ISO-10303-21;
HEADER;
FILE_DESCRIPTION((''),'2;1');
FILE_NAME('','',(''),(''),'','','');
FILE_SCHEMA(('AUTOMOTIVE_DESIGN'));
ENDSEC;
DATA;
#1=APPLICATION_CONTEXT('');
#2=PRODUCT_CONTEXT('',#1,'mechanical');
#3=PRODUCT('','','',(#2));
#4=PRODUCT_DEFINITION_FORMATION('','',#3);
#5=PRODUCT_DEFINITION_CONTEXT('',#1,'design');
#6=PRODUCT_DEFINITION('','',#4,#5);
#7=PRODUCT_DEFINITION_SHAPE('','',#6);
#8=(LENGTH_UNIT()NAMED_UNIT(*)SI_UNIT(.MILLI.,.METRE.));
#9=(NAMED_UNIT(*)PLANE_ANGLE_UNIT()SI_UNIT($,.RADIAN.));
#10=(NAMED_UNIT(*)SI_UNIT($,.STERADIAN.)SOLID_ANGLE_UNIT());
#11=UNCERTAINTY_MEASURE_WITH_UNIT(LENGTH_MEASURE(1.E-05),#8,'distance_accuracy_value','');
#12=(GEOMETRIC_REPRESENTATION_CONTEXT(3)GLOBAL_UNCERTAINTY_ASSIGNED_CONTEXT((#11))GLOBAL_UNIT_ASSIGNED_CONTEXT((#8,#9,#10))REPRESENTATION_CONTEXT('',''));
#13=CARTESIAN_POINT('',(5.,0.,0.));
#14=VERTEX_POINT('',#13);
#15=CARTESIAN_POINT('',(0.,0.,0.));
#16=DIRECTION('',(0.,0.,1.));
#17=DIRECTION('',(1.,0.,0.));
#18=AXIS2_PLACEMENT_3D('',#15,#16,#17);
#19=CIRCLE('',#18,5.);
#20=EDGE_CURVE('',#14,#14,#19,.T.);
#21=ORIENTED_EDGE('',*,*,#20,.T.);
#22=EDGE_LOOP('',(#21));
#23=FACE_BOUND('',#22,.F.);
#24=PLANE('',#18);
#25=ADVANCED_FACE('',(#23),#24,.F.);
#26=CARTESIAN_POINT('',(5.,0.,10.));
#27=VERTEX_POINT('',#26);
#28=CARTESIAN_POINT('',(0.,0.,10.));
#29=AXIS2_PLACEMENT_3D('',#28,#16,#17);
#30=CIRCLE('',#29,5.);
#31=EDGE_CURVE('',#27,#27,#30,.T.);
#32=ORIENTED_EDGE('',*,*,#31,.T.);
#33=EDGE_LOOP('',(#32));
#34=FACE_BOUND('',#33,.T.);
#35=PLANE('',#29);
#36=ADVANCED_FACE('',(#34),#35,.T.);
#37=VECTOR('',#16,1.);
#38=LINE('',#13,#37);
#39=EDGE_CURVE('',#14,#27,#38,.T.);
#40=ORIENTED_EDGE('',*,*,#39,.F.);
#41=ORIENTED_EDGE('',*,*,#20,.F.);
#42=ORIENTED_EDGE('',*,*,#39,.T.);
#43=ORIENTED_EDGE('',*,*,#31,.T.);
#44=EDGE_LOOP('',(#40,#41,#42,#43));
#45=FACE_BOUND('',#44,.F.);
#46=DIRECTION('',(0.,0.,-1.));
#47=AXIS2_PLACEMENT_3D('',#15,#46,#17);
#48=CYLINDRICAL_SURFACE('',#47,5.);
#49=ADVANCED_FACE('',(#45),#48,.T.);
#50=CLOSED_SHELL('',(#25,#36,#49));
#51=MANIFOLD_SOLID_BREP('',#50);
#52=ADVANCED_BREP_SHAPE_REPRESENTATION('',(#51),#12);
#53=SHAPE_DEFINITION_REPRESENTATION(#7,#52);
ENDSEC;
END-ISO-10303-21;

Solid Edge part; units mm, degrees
sketch "Sketch1" plane through (0, 0, 0) normal (0, 0, 1) x (1, 0, 0)
  circle A0 centre (0, 0) radius 5
  dimension "D1" = 10
extrude "Protrusion1" add sketch "Sketch1" along normal blind 10
